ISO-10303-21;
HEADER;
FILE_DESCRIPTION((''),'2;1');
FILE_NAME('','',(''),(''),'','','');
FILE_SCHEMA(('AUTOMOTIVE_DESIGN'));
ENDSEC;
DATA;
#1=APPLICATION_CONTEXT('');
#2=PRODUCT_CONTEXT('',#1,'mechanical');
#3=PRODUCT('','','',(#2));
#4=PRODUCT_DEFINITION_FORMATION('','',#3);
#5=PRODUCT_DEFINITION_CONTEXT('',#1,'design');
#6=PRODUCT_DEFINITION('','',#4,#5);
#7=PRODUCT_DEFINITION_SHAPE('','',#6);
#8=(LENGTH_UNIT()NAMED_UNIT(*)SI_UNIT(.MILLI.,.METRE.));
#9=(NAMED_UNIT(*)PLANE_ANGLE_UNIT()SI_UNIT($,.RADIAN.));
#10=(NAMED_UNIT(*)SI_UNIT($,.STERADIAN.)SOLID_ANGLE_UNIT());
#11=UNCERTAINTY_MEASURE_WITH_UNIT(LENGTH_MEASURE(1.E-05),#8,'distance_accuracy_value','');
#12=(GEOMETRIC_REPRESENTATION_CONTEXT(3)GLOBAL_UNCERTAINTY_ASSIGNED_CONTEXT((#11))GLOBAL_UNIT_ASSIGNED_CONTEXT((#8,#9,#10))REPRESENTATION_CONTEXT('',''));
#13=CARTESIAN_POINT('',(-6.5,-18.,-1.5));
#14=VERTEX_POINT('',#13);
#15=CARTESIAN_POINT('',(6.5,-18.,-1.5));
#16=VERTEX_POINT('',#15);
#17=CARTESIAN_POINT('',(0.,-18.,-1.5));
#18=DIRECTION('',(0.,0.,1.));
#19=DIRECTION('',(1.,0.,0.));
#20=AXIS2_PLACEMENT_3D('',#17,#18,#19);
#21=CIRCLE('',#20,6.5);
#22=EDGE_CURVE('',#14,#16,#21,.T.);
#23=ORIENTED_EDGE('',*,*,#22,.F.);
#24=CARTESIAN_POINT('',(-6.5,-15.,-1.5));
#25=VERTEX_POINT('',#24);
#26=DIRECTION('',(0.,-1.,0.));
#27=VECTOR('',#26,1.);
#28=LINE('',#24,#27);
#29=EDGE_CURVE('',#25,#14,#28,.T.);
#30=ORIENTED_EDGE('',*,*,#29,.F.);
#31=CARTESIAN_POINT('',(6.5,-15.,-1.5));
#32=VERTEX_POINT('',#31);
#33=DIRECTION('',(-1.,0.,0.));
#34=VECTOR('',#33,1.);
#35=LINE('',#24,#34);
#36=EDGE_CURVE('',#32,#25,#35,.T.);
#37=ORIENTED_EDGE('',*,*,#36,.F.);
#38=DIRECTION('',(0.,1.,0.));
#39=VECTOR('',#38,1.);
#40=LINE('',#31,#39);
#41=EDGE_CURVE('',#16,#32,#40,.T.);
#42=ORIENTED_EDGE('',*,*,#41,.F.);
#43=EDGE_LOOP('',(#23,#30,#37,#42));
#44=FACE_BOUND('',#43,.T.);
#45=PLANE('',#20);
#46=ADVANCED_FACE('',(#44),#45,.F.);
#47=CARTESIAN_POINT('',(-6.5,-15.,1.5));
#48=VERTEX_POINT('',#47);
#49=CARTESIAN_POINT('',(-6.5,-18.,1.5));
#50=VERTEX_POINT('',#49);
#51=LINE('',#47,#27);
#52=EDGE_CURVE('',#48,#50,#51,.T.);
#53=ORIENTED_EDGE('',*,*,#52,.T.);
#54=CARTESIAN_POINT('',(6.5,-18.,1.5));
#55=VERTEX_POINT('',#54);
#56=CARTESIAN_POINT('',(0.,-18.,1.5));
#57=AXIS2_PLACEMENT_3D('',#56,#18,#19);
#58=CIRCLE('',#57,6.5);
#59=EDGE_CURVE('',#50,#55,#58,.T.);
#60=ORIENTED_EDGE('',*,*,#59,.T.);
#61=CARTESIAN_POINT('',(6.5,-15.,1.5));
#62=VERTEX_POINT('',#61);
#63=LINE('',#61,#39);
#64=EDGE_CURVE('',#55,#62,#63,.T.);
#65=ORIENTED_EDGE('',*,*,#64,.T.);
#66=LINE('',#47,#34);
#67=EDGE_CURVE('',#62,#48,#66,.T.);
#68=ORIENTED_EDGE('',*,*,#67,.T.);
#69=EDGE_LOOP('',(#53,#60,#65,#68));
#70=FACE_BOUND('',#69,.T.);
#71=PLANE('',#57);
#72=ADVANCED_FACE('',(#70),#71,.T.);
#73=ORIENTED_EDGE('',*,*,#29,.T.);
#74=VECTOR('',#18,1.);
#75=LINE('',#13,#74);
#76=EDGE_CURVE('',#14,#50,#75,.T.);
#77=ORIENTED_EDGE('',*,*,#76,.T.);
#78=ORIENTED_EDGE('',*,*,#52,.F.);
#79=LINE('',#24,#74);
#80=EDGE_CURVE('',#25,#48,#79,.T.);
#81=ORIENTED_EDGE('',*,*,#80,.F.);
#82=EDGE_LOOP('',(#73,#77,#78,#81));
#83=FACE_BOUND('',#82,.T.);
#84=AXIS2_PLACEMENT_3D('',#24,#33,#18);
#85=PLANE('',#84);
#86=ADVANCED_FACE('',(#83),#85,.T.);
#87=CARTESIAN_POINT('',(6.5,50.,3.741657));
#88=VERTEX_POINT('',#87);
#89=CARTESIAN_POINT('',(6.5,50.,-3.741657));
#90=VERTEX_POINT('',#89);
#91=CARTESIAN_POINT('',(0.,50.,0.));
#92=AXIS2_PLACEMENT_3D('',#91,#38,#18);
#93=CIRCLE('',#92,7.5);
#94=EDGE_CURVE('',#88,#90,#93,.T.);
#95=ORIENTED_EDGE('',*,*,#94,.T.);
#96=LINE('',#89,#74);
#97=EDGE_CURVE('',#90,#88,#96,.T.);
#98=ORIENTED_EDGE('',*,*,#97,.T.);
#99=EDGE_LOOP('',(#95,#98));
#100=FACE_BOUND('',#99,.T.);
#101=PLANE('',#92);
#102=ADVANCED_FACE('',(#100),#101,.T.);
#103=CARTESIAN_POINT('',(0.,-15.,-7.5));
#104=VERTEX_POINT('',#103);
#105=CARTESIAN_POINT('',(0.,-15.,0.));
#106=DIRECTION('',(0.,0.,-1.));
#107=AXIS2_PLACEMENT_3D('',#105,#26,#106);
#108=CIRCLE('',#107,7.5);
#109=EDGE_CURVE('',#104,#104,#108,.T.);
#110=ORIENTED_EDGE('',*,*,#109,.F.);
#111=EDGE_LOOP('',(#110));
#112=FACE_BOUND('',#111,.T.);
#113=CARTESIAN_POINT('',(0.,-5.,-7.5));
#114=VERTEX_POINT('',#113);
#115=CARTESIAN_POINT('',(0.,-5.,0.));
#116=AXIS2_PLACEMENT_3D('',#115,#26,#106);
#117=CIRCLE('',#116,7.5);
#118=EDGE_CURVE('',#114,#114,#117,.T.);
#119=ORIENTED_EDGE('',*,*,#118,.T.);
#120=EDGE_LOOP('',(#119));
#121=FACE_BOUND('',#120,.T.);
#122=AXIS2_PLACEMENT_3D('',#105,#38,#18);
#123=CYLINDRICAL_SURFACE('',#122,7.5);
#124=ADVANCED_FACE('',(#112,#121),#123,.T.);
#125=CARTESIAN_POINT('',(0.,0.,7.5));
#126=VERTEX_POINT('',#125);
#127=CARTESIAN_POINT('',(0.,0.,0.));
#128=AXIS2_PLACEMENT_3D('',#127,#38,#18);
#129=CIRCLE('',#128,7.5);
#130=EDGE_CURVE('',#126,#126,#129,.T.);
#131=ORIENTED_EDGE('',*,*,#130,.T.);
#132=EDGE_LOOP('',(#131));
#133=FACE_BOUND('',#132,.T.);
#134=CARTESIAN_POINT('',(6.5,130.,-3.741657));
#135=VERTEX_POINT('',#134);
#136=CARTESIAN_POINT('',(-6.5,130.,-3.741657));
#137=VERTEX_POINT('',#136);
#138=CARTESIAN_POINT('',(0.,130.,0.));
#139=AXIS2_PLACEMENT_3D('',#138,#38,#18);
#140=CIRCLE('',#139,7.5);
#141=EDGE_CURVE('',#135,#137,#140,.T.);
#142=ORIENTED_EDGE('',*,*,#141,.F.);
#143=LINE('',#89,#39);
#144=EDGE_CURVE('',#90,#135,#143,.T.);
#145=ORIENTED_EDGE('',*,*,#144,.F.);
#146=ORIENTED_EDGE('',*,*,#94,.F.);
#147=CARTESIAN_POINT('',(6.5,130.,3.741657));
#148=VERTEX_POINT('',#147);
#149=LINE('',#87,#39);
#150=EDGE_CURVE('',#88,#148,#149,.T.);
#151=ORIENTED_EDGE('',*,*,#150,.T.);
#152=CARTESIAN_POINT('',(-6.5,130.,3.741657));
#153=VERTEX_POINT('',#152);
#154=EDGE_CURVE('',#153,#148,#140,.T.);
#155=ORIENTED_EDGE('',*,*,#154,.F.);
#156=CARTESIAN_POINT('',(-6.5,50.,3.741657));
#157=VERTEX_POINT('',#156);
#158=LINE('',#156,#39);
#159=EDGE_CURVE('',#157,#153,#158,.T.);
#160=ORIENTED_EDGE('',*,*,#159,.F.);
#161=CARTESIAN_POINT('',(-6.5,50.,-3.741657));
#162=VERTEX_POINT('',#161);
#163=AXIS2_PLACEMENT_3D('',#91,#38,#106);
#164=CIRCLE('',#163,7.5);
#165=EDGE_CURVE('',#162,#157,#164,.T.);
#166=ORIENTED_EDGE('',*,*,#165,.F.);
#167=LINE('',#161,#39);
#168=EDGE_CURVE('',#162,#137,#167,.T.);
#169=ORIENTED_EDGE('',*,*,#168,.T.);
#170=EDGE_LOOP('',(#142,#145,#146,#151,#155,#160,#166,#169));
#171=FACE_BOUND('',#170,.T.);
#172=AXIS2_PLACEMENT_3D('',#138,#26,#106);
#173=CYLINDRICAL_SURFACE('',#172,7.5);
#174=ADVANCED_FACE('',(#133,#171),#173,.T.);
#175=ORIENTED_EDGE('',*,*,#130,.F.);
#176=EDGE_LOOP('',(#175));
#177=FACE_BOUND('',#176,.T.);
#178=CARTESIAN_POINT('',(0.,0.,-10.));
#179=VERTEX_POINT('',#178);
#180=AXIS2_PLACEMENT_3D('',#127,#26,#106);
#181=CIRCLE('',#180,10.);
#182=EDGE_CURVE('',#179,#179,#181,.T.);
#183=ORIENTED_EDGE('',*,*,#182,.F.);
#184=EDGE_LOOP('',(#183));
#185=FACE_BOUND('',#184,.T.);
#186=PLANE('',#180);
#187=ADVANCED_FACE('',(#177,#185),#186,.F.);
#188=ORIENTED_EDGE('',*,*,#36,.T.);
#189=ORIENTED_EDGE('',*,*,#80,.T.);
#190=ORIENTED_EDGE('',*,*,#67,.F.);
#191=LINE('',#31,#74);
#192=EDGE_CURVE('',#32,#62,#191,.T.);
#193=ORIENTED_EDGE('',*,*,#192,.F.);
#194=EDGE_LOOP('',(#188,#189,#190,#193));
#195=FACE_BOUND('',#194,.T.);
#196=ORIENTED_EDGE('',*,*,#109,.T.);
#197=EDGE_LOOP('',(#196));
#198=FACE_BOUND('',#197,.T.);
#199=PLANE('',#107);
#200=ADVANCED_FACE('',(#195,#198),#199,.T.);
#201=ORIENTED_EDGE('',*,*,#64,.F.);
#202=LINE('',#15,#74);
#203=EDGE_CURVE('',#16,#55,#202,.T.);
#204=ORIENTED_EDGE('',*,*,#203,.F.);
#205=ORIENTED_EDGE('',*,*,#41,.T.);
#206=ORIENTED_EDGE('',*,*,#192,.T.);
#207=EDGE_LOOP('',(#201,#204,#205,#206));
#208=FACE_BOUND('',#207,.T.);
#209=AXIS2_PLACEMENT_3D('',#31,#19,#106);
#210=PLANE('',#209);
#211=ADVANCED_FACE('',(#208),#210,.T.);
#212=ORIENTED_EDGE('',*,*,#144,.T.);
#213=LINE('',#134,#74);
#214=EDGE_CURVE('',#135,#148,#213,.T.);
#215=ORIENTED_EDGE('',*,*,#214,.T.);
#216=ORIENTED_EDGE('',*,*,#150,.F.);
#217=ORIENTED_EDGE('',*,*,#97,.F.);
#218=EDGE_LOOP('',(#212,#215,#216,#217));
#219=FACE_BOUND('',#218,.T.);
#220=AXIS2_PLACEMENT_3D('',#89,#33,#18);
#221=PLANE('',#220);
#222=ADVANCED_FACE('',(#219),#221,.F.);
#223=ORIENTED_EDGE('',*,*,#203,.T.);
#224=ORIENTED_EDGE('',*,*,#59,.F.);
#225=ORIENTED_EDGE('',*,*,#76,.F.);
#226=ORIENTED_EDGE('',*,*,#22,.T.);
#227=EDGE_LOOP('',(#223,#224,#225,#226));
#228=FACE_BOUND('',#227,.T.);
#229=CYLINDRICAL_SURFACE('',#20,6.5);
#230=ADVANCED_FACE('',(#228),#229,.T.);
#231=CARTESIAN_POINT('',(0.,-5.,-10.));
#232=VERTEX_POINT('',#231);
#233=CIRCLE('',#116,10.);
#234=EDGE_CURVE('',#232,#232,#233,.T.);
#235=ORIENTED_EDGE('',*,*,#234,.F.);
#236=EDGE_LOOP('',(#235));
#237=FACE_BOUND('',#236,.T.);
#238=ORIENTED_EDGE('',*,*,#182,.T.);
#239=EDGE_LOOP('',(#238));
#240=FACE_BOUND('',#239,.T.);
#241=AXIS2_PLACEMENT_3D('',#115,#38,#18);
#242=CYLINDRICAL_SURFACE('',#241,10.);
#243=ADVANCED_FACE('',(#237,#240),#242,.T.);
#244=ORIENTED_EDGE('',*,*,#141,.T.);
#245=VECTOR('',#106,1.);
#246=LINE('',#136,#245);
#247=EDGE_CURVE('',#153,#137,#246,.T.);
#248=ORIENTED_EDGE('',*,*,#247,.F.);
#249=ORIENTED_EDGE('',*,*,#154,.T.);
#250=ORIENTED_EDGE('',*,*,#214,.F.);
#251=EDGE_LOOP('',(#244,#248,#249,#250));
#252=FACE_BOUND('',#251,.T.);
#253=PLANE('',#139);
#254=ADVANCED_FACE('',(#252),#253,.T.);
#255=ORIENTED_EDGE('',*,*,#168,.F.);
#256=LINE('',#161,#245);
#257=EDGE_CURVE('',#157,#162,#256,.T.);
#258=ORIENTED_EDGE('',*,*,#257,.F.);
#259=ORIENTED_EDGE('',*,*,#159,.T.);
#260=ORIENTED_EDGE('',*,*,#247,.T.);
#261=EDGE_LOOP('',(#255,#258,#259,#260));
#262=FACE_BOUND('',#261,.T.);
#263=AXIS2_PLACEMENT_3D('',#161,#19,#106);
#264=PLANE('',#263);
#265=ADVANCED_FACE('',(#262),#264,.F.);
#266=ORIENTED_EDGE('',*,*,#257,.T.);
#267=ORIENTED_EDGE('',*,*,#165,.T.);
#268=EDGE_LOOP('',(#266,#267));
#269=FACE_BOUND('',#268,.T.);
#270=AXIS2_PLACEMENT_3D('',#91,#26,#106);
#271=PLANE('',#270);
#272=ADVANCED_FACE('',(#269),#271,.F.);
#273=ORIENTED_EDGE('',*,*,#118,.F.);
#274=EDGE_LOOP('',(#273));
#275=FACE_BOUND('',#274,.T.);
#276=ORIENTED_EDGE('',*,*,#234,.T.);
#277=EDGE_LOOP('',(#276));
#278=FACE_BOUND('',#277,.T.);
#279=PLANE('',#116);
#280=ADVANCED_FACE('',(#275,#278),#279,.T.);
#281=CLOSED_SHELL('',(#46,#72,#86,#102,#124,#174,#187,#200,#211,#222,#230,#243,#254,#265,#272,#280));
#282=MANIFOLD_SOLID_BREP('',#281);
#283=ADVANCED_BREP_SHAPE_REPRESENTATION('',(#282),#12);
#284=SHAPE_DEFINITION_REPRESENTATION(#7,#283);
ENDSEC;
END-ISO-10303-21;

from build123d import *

# Parameters (mm, degrees)
SKETCH3_R                = 7.5
BOSS_EXTRUDE1_DEPTH      = 130
SKETCH4_R                = 10
BOSS_EXTRUDE2_DEPTH      = 5
BOSS_EXTRUDE3_START      = 10
SKETCH5_R                = 7.5
BOSS_EXTRUDE3_DEPTH      = 10
BOSS_EXTRUDE4_DEPTH      = 1.5
BOSS_EXTRUDE4_DEPTH_BACK = 1.5
CUT_EXTRUDE1_START       = -80
CUT_EXTRUDE1_DEPTH       = 80


with BuildPart() as part:
    # Sketch3 → Boss-Extrude1 (new body)
    with BuildSketch(Plane(origin=(0, 0, 0), x_dir=(1, 0, 0), z_dir=(0, 1, 0))):
        Circle(SKETCH3_R)
    extrude(amount=BOSS_EXTRUDE1_DEPTH)

    # Sketch4 → Boss-Extrude2 (add)
    with BuildSketch(Plane.XZ):
        Circle(SKETCH4_R)
    extrude(amount=BOSS_EXTRUDE2_DEPTH)

    # Sketch5 → Boss-Extrude3 (add)
    with BuildSketch(Plane.XZ.offset(5).offset(BOSS_EXTRUDE3_START)):
        Circle(SKETCH5_R)
    extrude(amount=-BOSS_EXTRUDE3_DEPTH)

    # Sketch7 → Boss-Extrude4 (add, two sides: drawn at the far end of the back side and taken through both)
    with BuildSketch(Plane.XY.offset(-BOSS_EXTRUDE4_DEPTH_BACK)):
        with BuildLine():
            Line((-6.5, -15), (6.5, -15))
            Line((6.5, -15), (6.5, -18))
            ThreePointArc((6.5, -18), (0, -24.5), (-6.5, -18))
            Line((-6.5, -18), (-6.5, -15))
        make_face()
    extrude(amount=BOSS_EXTRUDE4_DEPTH + BOSS_EXTRUDE4_DEPTH_BACK)

    # Sketch8 → Cut-Extrude1 (cut)
    with BuildSketch(Plane(origin=(0, 130, 0), x_dir=(1, 0, 0), z_dir=(0, 1, 0)).offset(CUT_EXTRUDE1_START)):
        with BuildLine():
            Line((6.5, 3.741657387), (6.5, -3.741657387))
            ThreePointArc((6.5, -3.741657387), (7.5, 0), (6.5, 3.741657387))
        make_face()
        with BuildLine():
            Line((-6.5, 3.741657387), (-6.5, -3.741657387))
            ThreePointArc((-6.5, -3.741657387), (-7.5, 0), (-6.5, 3.741657387))
        make_face()
    extrude(amount=CUT_EXTRUDE1_DEPTH, mode=Mode.SUBTRACT)


solid = part.part
